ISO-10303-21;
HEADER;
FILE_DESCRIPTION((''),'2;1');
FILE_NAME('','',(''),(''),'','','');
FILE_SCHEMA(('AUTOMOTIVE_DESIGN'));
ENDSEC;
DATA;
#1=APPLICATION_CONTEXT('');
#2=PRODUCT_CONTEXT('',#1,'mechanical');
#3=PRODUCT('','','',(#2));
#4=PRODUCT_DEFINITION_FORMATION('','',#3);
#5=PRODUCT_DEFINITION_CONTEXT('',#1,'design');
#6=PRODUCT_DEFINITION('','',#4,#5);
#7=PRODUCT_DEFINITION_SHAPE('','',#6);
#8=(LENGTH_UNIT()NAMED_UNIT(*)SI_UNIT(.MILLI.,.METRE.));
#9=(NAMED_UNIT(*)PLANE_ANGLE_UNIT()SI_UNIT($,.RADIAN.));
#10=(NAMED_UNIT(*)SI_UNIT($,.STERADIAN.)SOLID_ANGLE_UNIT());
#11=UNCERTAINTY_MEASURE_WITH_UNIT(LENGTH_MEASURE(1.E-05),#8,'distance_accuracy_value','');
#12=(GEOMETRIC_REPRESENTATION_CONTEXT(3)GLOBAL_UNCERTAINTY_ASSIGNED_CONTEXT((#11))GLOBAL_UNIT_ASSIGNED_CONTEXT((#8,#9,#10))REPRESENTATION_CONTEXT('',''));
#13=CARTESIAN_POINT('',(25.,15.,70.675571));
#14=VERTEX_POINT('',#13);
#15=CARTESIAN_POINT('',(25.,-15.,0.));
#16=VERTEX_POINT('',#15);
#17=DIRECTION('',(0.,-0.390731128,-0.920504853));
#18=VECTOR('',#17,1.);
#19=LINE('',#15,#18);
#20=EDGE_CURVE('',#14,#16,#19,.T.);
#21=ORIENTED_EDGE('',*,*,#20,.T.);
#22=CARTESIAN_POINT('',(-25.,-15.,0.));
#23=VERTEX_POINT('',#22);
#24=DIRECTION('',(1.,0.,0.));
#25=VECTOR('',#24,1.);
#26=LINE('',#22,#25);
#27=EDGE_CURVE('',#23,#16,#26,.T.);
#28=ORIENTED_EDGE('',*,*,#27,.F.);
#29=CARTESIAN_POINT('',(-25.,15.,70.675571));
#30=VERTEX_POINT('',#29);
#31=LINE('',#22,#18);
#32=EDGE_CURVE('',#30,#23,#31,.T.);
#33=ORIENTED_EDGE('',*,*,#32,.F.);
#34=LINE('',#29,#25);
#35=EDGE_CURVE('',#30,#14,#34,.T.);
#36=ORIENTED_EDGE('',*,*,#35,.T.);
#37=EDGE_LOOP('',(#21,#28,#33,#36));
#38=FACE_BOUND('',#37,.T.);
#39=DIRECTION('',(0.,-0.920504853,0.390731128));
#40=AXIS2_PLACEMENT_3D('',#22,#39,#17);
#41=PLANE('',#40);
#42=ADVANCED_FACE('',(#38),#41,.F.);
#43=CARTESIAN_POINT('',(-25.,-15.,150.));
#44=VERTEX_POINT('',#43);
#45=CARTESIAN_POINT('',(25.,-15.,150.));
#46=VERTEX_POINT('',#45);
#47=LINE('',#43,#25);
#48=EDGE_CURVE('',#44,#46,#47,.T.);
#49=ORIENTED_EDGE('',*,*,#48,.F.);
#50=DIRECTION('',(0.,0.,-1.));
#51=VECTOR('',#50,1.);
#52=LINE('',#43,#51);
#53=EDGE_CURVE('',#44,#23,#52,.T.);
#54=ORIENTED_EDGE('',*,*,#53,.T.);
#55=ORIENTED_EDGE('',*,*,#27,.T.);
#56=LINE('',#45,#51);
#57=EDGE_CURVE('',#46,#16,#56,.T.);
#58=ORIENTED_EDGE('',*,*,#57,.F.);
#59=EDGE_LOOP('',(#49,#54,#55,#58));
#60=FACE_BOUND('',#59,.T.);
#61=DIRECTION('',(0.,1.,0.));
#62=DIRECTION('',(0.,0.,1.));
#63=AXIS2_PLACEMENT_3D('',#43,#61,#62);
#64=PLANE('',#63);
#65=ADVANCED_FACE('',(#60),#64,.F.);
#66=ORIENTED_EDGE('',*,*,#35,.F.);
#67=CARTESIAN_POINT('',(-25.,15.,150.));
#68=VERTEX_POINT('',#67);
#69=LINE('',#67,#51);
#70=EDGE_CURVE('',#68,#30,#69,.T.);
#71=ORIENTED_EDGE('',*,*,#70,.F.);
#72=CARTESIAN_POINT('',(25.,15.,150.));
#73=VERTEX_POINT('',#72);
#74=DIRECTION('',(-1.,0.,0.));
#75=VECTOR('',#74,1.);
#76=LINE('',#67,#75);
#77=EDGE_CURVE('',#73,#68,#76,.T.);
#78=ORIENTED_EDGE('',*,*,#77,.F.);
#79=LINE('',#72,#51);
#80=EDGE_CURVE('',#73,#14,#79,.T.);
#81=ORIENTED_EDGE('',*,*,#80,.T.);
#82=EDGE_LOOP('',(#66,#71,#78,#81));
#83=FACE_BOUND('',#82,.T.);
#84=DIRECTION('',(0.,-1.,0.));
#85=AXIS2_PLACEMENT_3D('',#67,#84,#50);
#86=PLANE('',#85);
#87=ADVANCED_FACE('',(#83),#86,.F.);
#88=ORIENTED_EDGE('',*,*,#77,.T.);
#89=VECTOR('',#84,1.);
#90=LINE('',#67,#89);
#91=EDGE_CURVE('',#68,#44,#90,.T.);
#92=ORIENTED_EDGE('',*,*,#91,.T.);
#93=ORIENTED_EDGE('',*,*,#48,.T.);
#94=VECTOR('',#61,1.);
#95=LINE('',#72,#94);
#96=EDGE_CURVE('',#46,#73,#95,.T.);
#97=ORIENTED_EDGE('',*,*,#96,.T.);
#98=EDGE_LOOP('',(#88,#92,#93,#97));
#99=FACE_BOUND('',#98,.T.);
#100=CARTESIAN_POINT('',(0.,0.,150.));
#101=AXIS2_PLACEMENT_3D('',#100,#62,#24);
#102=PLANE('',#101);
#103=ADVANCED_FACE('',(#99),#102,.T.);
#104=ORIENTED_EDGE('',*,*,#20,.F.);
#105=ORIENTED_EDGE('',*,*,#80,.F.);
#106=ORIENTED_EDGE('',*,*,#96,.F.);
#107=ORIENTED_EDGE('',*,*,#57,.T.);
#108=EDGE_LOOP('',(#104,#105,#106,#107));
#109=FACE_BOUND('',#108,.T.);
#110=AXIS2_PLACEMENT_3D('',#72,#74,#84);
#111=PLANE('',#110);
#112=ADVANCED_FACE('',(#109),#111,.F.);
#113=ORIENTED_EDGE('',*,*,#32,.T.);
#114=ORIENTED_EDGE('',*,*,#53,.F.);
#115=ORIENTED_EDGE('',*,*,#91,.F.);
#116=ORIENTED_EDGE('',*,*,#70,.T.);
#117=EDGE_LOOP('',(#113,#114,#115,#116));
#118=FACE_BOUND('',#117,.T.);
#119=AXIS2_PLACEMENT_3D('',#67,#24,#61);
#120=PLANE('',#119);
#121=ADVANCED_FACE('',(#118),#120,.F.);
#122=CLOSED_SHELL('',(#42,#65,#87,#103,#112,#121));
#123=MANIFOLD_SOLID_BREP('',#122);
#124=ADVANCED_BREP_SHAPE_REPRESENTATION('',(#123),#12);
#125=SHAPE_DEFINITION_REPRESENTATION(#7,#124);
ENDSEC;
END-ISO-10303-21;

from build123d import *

# Parameters (mm, degrees)
SKETCH1_W           = 50
SKETCH1_H           = 30
BOSS_EXTRUDE1_DEPTH = 150
CUT_EXTRUDE1_DEPTH  = 159.823801743


with BuildPart() as part:
    # Sketch1 → Boss-Extrude1 (new body)
    with BuildSketch(Plane.XY):
        Rectangle(SKETCH1_W, SKETCH1_H)
    extrude(amount=BOSS_EXTRUDE1_DEPTH)

    # Sketch2 → Cut-Extrude1 (cut, through all)
    with BuildSketch(Plane(origin=(25, 0, 0), x_dir=(0, 0, -1), z_dir=(1, 0, 0))):
        Polygon((0, -15), (-70.675570975, 15), (0, 15), align=None)
    extrude(amount=-CUT_EXTRUDE1_DEPTH, mode=Mode.SUBTRACT)


solid = part.part
